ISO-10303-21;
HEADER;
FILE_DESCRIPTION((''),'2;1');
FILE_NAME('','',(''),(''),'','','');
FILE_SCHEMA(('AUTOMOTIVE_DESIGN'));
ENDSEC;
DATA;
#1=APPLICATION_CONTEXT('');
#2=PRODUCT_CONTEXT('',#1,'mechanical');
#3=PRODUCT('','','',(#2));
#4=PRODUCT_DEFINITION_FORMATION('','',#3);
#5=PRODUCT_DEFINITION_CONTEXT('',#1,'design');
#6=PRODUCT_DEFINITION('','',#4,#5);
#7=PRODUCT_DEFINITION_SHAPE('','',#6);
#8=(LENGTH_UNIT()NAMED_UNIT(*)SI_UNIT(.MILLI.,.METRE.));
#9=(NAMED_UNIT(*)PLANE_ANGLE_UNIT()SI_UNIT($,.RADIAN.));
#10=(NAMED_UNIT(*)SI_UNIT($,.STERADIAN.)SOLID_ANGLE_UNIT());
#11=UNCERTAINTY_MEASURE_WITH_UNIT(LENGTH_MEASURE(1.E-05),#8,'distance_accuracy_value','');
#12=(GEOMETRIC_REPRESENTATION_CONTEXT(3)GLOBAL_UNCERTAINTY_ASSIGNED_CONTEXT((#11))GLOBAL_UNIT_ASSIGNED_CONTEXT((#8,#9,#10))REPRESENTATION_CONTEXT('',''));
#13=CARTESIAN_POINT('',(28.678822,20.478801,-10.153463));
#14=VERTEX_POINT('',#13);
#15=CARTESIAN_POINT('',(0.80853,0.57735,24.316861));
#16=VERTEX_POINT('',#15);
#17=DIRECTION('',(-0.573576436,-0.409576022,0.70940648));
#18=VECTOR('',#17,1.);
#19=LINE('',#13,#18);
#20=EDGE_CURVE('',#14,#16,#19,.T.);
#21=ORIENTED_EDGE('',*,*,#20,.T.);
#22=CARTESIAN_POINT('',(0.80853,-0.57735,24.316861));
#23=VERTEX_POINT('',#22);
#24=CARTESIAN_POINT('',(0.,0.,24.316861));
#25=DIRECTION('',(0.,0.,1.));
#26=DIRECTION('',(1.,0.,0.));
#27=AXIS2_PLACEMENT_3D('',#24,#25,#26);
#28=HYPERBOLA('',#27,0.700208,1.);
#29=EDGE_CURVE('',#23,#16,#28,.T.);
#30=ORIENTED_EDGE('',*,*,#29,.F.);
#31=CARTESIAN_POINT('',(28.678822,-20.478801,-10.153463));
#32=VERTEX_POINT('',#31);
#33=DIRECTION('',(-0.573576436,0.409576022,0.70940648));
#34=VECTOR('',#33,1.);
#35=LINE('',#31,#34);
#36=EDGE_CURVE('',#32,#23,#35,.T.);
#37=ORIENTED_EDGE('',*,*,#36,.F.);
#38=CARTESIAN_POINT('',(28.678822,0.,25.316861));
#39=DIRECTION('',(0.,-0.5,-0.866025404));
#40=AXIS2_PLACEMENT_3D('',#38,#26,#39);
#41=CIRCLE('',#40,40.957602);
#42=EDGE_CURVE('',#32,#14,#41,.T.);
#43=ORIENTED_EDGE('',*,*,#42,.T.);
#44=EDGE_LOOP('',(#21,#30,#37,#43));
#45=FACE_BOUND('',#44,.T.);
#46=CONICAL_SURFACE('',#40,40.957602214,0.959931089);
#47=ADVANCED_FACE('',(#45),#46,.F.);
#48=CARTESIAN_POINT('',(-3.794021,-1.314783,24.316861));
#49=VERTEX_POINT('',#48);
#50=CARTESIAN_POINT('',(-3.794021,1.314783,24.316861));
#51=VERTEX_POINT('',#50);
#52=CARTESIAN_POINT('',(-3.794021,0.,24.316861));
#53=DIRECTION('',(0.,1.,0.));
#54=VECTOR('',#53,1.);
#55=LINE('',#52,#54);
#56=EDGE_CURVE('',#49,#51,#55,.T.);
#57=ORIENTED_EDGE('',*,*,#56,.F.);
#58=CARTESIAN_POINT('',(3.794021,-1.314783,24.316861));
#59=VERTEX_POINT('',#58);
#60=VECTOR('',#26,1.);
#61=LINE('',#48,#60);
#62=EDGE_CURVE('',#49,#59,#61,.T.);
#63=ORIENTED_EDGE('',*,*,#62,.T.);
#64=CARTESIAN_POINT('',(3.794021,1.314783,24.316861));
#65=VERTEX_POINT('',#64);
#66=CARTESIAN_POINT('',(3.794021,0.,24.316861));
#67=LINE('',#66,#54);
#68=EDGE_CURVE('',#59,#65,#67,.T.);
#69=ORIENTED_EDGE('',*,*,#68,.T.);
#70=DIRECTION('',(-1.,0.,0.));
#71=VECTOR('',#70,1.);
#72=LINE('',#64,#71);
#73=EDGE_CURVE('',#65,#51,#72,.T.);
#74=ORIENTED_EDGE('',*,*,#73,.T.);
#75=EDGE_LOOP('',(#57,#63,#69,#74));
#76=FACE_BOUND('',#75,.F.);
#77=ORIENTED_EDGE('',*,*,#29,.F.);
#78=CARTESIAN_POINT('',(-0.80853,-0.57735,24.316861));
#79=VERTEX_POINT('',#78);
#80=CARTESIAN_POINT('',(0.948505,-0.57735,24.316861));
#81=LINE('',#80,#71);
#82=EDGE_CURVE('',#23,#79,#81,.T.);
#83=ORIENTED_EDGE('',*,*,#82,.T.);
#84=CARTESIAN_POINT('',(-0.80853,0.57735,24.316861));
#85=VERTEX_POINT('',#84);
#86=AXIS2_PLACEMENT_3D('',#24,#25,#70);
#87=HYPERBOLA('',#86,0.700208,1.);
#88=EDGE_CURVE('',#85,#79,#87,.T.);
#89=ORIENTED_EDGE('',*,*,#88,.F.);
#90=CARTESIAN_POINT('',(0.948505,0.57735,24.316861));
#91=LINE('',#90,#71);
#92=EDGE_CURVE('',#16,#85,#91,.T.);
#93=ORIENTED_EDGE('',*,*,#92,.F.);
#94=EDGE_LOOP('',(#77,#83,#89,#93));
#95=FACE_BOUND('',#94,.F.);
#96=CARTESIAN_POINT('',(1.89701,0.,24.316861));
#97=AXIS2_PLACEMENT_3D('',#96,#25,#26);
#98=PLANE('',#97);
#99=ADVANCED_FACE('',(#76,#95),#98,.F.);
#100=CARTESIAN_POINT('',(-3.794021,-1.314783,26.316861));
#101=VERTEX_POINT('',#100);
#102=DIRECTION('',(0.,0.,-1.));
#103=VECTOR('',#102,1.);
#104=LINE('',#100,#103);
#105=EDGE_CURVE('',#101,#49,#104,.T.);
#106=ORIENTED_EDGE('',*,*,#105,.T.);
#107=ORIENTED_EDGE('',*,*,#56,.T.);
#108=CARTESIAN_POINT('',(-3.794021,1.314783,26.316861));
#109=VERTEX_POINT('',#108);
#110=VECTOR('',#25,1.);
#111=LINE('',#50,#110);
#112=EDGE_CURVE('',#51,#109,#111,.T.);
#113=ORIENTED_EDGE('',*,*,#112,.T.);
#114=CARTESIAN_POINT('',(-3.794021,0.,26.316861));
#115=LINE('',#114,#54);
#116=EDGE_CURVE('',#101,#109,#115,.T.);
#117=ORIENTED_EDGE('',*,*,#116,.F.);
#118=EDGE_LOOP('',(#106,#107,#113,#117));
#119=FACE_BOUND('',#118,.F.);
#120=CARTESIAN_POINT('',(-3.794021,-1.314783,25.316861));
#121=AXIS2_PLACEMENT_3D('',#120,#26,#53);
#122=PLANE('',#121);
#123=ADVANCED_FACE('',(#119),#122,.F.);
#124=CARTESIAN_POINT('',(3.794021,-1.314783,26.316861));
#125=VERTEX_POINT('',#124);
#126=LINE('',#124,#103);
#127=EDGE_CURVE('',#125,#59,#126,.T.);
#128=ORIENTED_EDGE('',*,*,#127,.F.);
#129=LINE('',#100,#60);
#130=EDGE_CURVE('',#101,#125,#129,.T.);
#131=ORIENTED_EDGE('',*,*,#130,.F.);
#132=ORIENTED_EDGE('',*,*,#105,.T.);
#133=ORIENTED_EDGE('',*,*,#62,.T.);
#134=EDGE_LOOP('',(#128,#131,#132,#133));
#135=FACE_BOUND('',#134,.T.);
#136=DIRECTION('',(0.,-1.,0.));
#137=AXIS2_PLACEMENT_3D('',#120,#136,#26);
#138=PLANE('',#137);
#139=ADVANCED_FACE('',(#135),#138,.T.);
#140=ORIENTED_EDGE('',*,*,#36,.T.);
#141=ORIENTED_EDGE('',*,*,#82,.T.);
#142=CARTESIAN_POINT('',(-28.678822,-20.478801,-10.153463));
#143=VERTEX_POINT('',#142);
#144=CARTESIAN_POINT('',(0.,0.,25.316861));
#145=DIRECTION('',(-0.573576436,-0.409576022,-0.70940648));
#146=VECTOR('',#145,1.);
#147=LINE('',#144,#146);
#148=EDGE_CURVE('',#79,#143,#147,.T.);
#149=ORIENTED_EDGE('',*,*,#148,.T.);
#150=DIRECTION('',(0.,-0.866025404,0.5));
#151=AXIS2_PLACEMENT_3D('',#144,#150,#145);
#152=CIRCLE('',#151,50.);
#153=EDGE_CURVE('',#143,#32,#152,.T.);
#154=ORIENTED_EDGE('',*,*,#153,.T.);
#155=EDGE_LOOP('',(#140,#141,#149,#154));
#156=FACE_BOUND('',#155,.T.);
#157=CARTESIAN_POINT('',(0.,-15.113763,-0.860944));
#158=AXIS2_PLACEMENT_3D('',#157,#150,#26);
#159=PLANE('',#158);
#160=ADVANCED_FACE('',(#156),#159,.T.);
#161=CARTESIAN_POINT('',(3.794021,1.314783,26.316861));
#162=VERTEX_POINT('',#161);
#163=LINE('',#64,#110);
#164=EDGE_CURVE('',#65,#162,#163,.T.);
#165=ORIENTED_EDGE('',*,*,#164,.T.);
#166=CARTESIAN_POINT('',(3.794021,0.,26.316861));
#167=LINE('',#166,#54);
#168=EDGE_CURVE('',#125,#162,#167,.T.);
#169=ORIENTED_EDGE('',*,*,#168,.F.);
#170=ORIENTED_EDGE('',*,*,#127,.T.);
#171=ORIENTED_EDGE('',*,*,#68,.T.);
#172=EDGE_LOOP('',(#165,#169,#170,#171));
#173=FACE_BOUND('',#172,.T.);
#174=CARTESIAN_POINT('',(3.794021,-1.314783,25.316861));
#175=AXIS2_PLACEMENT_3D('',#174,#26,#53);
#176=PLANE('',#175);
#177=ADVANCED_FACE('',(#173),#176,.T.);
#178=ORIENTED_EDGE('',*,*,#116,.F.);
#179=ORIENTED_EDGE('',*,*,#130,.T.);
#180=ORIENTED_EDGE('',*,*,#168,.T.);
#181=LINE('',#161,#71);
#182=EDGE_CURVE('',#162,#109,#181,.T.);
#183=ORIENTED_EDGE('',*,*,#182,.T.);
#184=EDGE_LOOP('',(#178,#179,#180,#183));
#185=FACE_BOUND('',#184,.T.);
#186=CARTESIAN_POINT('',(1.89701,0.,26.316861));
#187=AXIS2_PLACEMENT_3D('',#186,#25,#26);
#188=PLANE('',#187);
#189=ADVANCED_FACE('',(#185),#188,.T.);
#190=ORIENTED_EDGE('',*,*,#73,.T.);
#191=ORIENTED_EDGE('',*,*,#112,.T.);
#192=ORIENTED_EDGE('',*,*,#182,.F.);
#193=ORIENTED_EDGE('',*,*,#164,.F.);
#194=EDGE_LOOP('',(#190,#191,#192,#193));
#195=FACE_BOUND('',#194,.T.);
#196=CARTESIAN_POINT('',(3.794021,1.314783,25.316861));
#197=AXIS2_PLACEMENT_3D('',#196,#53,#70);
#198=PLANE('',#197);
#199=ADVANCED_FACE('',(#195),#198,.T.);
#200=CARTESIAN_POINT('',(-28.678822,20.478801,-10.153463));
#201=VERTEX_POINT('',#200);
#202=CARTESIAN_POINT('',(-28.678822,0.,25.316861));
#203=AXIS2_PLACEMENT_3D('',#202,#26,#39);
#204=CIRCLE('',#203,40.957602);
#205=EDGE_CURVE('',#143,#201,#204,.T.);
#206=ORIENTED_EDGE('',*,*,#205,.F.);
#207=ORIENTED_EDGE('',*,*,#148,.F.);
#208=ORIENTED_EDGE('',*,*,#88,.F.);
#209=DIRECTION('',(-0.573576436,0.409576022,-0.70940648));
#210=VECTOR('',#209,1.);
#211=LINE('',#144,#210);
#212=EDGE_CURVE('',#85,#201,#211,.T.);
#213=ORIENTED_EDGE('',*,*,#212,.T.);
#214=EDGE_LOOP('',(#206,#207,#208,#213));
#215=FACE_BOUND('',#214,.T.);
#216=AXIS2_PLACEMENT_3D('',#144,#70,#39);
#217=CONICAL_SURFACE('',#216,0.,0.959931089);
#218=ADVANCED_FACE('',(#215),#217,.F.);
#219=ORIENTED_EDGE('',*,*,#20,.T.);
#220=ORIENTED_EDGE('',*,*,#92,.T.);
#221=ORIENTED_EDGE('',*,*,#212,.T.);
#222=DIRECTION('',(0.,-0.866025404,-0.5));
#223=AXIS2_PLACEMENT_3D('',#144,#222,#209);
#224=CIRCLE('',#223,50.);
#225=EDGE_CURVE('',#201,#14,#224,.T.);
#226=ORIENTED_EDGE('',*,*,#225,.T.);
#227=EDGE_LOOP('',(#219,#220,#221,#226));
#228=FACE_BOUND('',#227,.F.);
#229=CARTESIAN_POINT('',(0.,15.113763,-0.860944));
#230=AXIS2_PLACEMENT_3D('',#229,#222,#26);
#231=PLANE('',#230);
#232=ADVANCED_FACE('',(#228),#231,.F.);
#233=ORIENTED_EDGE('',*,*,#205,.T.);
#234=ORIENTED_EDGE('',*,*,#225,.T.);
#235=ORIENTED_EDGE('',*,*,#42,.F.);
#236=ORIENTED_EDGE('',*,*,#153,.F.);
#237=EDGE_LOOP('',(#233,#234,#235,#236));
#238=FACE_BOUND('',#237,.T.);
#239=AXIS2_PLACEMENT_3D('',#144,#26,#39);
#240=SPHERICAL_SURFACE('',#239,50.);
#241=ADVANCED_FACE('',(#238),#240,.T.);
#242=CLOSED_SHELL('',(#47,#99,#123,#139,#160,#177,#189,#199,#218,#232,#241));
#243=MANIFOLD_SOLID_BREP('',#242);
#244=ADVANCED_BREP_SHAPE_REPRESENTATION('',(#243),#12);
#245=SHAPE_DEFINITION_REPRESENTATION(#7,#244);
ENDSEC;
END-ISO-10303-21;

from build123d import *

# Parameters (mm, degrees)
F3_ANGLE_BACK = 30
F3_ANGLE      = 60
F2_W          = 3.7940205075
F2_H          = 2.6295655407
F4_DEPTH      = 1


with BuildPart() as f3:
    # F0 (on Front) → F3 (revolve)
    with BuildSketch(Plane.XZ, mode=Mode.PRIVATE) as f3_sk:
        with BuildLine():
            Line((28.6788218176, -15.6407412676), (0, 25.3168609469))
            Line((0, 25.3168609469), (-28.6788218176, -15.6407412676))
            ThreePointArc((-28.6788218176, -15.6407412676), (0, -24.6831390531), (28.6788218176, -15.6407412676))
        make_face()
    revolve(f3_sk.sketch.rotate(Axis((3.0188281089, 0, 25.3168609469), (1, 0, 0)), -F3_ANGLE_BACK), axis=Axis((3.0188281089, 0, 25.3168609469), (1, 0, 0)), revolution_arc=F3_ANGLE)

    # F2 (on plane+point) → F4 (join, symmetric)
    with BuildSketch(Plane.XY.offset(25.3168609469)):
        with Locations((1.8970102537, 0)):
            Rectangle(F2_W, F2_H)
        with Locations((-1.8970102537, 0)):
            Rectangle(F2_W, F2_H)
    extrude(amount=F4_DEPTH, both=True)


solid = f3.part
